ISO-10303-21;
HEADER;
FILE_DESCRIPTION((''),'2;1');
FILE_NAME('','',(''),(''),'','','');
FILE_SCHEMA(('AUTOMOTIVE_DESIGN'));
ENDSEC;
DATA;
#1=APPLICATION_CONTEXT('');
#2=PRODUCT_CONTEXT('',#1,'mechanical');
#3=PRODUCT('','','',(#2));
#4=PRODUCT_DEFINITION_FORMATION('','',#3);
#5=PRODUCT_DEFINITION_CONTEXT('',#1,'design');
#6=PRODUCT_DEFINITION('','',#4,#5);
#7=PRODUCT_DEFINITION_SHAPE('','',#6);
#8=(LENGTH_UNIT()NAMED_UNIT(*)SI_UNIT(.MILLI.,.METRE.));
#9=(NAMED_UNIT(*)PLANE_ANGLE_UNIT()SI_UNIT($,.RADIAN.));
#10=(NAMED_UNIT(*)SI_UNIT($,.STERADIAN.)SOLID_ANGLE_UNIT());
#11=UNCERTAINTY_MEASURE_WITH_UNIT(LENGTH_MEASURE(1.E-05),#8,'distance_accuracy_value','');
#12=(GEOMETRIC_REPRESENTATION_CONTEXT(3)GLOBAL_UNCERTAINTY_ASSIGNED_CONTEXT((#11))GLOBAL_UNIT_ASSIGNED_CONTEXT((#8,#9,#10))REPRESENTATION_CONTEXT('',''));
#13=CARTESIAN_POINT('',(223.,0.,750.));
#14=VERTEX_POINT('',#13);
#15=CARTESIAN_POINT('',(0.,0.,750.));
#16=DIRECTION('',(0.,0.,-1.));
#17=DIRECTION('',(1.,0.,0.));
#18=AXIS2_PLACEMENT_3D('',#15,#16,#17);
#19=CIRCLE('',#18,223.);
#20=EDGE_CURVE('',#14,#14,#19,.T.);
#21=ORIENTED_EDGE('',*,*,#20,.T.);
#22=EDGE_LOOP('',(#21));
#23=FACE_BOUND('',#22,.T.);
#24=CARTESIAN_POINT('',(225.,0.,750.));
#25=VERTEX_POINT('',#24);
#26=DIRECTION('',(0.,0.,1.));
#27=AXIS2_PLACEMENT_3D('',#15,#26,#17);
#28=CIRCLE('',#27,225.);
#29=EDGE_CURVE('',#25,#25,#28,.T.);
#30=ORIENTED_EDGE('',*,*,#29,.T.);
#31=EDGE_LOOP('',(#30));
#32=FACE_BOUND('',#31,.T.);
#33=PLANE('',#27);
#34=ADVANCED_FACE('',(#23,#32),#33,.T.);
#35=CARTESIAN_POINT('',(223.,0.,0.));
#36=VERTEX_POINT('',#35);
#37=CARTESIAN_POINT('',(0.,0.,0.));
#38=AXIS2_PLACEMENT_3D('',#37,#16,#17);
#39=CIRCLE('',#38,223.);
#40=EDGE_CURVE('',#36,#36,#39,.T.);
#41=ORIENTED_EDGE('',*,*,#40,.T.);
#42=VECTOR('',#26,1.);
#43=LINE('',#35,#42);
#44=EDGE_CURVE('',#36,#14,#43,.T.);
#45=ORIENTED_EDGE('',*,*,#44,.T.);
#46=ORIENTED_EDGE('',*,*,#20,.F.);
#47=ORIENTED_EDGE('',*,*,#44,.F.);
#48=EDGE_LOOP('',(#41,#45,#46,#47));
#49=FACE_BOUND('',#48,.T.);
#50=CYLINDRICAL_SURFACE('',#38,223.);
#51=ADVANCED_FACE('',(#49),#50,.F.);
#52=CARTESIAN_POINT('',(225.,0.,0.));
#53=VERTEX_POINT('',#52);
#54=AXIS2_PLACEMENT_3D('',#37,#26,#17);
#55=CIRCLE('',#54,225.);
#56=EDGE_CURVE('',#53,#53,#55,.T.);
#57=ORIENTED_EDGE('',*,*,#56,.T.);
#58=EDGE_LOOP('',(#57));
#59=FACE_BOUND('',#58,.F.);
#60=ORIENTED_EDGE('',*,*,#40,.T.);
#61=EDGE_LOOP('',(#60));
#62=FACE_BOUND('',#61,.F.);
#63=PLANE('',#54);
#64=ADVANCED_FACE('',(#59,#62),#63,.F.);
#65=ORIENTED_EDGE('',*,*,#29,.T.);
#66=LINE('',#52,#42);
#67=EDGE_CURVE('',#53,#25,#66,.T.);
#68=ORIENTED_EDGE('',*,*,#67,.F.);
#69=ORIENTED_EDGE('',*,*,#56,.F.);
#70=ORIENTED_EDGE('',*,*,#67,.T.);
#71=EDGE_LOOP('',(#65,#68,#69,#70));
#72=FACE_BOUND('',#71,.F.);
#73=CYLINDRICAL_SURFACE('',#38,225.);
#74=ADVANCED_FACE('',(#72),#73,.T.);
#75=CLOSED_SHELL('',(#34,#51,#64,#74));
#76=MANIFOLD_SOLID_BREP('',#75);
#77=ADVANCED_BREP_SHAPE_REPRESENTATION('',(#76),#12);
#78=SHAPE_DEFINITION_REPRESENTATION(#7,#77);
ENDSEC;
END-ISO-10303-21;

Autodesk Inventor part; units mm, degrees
ref_plane "YZ Plane" through (0, 0, 0) normal (1, 0, 0) x (0, 1, 0)
ref_plane "XZ Plane" through (0, 0, 0) normal (0, 1, 0) x (-1, 0, 0)
ref_plane "XY Plane" through (0, 0, 0) normal (0, 0, 1) x (1, 0, 0)
sketch "Sketch1" plane through (0, 0, 0) normal (0, 0, 1) x (1, 0, 0)
  circle A0 centre (0, 0) radius 225
  dimension "d0" = 450
extrude "Extrusion1" add sketch "Sketch1" along normal blind 750
shell "Shell1" thickness 2 removed faces 2 at (-110.303, -47.211, 0) at (-110.303, -47.211, 750)
thread "Thread1" size "M450x6" class "6H" standard "ANSI Metric M Profile" full length
properties part number "Finally_we_are_done_with_drum"
